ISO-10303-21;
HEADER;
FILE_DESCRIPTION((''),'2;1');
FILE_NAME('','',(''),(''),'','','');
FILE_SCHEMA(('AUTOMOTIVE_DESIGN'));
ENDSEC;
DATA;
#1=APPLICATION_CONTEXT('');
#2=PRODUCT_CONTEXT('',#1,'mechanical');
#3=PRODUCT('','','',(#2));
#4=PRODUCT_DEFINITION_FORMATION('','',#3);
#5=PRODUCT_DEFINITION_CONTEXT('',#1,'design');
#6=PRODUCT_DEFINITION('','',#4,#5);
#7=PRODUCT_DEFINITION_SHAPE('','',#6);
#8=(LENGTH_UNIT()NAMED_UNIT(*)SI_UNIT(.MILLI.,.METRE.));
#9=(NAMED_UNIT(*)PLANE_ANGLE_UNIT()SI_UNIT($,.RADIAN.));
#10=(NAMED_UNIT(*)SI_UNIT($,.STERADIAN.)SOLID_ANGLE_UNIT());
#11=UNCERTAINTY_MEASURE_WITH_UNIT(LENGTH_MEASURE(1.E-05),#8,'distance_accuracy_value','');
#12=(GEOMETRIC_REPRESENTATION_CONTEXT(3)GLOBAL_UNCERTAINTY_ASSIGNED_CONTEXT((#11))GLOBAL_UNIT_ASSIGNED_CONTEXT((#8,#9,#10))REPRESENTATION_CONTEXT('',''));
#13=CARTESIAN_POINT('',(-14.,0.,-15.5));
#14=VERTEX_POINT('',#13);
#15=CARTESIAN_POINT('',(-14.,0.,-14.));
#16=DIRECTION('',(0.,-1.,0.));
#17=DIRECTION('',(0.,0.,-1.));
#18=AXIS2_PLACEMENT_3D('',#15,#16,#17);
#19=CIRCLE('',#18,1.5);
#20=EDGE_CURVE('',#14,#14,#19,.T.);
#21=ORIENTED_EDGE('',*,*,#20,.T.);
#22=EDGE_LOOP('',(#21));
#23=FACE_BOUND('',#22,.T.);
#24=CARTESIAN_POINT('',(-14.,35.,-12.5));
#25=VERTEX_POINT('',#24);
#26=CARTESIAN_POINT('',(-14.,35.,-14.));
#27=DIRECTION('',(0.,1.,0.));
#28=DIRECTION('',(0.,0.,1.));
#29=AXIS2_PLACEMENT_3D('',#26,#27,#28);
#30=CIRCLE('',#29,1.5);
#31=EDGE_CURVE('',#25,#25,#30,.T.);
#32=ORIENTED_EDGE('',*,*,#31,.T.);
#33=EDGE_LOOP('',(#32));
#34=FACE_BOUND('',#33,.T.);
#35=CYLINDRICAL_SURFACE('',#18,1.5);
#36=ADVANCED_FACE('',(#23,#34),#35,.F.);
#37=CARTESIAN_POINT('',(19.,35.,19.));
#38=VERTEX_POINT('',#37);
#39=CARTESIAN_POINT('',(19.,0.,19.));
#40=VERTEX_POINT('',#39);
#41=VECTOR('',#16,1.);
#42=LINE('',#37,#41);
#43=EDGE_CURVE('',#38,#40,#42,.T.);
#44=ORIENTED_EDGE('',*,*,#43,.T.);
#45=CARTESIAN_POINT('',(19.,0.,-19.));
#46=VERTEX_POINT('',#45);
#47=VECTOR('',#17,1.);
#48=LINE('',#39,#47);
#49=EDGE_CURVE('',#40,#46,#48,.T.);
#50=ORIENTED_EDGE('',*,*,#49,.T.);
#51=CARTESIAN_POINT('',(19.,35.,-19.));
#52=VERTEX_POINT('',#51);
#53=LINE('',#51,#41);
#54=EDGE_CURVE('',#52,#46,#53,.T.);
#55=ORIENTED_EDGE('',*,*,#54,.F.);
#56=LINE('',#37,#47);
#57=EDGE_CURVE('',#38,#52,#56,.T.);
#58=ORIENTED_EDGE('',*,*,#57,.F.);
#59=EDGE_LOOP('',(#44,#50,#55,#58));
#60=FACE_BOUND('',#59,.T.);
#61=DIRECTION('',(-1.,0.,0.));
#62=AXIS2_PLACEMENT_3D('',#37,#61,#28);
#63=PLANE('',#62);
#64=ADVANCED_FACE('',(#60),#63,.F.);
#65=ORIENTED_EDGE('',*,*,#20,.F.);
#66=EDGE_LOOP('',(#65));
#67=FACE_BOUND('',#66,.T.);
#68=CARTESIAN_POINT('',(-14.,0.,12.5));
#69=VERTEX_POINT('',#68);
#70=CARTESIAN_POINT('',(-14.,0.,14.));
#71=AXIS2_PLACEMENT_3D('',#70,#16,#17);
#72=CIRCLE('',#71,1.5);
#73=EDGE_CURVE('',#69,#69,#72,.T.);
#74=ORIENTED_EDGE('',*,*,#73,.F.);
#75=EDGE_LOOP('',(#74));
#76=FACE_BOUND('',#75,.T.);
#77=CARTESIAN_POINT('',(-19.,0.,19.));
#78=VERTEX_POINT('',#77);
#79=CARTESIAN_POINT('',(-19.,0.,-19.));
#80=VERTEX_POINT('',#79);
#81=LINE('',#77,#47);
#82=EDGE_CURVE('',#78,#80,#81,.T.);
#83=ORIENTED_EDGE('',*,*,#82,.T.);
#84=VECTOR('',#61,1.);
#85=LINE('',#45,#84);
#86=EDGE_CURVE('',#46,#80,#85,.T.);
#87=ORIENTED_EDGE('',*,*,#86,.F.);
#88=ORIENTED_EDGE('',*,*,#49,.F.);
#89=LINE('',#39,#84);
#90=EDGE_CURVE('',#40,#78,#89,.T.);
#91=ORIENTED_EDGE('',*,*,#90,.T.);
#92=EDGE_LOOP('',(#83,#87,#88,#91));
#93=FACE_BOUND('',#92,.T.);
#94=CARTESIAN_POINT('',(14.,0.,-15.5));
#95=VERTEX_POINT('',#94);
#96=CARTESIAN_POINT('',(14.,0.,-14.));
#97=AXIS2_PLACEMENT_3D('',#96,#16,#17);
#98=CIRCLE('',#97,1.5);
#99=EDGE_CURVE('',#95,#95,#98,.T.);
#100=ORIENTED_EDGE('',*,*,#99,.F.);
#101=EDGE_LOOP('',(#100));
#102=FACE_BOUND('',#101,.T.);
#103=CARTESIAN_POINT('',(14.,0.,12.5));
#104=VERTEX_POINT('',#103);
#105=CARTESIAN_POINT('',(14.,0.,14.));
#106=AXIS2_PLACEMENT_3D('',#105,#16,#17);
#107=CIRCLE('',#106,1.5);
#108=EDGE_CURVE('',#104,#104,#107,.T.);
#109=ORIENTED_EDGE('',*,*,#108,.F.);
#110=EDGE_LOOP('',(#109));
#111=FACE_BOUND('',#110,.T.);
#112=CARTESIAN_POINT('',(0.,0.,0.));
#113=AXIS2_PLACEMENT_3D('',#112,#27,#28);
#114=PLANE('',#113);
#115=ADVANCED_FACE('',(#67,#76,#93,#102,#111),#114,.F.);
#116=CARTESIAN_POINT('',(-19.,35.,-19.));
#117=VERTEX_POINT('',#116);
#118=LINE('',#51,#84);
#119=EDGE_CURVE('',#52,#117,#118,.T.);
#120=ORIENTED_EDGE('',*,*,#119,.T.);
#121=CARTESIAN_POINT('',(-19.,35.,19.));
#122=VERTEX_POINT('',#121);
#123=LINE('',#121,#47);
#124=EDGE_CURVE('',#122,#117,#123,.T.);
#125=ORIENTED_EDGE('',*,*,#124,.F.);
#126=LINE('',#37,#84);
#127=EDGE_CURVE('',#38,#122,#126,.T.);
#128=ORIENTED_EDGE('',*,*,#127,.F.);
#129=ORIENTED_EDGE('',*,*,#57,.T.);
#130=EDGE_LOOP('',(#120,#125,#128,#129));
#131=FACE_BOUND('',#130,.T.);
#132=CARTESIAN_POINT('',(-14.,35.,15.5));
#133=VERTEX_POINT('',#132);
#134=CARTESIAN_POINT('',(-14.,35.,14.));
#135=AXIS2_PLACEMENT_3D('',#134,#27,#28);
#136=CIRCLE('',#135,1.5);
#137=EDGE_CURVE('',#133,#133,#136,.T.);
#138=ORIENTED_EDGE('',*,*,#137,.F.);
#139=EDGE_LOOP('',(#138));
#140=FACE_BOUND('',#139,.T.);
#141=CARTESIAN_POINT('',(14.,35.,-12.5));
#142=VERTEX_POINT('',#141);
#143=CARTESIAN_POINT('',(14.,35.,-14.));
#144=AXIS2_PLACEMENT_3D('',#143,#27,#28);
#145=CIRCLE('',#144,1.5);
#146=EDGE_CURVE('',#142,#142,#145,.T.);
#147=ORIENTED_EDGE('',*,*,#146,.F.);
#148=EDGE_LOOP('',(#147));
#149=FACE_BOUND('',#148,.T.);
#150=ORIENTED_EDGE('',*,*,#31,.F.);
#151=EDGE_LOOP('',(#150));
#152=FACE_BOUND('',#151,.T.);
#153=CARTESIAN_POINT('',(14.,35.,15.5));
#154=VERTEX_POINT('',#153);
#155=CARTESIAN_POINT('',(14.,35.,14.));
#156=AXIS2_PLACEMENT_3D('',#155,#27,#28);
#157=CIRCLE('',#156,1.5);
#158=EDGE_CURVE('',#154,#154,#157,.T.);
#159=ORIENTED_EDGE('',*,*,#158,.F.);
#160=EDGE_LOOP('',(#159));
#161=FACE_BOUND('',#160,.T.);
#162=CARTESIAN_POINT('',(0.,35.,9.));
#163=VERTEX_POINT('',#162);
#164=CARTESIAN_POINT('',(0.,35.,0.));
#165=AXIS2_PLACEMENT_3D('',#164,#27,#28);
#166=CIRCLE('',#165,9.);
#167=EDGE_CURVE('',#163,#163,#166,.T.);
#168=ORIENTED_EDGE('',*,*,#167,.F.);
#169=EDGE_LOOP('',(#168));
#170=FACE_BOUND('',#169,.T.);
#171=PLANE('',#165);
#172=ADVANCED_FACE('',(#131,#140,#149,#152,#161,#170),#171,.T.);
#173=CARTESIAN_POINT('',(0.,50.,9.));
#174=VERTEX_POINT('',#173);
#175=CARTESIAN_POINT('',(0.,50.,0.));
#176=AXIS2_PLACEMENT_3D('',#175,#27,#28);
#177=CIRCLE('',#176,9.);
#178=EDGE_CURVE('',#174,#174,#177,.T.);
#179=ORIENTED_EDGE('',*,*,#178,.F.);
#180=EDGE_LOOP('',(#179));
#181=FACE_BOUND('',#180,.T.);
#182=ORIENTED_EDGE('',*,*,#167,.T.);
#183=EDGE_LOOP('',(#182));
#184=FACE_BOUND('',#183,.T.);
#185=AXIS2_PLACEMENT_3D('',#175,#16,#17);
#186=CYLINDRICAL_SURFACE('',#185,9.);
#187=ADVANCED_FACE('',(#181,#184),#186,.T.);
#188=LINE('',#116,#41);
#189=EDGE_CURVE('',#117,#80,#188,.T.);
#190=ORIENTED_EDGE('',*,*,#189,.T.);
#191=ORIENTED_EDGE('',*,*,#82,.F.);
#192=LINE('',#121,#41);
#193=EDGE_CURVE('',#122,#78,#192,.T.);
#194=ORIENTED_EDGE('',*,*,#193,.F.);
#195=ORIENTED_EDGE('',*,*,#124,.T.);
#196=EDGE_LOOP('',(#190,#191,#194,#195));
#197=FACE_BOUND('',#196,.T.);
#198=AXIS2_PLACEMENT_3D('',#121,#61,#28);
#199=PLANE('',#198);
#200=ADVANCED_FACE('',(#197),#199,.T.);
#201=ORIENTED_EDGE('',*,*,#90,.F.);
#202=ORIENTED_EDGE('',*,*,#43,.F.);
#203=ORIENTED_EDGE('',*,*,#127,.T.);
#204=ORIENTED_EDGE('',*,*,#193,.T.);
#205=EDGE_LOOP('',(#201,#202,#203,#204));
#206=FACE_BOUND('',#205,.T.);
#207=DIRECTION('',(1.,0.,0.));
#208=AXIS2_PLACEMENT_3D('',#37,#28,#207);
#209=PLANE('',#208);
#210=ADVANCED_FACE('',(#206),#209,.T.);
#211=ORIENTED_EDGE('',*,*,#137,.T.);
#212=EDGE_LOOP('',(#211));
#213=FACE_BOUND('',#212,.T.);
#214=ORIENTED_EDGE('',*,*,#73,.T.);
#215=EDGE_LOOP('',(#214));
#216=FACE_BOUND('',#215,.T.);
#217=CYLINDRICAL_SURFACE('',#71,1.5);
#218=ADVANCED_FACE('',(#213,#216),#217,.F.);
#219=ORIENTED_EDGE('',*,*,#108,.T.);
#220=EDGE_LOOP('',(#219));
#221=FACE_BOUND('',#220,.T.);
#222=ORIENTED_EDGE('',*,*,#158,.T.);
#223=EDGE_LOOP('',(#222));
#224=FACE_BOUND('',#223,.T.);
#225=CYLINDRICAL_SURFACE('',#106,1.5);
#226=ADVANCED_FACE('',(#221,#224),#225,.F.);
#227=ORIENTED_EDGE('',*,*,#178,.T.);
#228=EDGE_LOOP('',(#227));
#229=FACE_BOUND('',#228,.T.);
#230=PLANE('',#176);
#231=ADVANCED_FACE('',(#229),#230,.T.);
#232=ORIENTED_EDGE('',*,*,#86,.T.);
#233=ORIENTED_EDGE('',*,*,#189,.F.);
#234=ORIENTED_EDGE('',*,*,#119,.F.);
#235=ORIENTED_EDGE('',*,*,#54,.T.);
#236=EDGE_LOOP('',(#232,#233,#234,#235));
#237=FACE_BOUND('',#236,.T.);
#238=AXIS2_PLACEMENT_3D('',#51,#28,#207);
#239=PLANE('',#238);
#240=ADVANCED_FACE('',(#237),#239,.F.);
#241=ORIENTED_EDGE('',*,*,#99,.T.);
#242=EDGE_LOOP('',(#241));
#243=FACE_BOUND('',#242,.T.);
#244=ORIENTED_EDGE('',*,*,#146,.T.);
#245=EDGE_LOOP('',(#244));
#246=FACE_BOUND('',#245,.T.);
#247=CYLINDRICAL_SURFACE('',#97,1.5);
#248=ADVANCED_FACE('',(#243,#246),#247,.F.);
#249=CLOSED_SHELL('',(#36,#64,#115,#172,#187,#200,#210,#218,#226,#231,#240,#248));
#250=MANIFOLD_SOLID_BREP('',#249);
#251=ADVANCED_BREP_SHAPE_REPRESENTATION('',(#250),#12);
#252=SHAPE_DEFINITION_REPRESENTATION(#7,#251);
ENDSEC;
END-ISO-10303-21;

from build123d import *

# Parameters (mm, degrees)
SKETCH1_W             = 38
SKETCH1_H             = 38
BOSS_EXTRUDE1_DEPTH   = 35
SKETCH2_R             = 9
BOSS_EXTRUDE2_DEPTH   = 15
F_3_0MM_DOWEL_HOLE1_D = 3


with BuildPart() as part:
    # Sketch1 → Boss-Extrude1 (new body)
    with BuildSketch(Plane(origin=(0, 0, 0), x_dir=(1, 0, 0), z_dir=(0, 1, 0))):
        Rectangle(SKETCH1_W, SKETCH1_H)
    extrude(amount=BOSS_EXTRUDE1_DEPTH)

    # Sketch2 → Boss-Extrude2 (add)
    with BuildSketch(Plane(origin=(0, 35, 0), x_dir=(1, 0, 0), z_dir=(0, 1, 0))):
        Circle(SKETCH2_R)
    extrude(amount=BOSS_EXTRUDE2_DEPTH)

    # Ø3.0mm Dowel Hole1 (through all)
    with Locations(Plane(origin=(0, 0, 0), x_dir=(-1, 0, 0), z_dir=(0, -1, 0))):
        with Locations((-14, -14), (-14, 14), (14, 14), (14, -14)):
            Hole(F_3_0MM_DOWEL_HOLE1_D / 2)


solid = part.part
